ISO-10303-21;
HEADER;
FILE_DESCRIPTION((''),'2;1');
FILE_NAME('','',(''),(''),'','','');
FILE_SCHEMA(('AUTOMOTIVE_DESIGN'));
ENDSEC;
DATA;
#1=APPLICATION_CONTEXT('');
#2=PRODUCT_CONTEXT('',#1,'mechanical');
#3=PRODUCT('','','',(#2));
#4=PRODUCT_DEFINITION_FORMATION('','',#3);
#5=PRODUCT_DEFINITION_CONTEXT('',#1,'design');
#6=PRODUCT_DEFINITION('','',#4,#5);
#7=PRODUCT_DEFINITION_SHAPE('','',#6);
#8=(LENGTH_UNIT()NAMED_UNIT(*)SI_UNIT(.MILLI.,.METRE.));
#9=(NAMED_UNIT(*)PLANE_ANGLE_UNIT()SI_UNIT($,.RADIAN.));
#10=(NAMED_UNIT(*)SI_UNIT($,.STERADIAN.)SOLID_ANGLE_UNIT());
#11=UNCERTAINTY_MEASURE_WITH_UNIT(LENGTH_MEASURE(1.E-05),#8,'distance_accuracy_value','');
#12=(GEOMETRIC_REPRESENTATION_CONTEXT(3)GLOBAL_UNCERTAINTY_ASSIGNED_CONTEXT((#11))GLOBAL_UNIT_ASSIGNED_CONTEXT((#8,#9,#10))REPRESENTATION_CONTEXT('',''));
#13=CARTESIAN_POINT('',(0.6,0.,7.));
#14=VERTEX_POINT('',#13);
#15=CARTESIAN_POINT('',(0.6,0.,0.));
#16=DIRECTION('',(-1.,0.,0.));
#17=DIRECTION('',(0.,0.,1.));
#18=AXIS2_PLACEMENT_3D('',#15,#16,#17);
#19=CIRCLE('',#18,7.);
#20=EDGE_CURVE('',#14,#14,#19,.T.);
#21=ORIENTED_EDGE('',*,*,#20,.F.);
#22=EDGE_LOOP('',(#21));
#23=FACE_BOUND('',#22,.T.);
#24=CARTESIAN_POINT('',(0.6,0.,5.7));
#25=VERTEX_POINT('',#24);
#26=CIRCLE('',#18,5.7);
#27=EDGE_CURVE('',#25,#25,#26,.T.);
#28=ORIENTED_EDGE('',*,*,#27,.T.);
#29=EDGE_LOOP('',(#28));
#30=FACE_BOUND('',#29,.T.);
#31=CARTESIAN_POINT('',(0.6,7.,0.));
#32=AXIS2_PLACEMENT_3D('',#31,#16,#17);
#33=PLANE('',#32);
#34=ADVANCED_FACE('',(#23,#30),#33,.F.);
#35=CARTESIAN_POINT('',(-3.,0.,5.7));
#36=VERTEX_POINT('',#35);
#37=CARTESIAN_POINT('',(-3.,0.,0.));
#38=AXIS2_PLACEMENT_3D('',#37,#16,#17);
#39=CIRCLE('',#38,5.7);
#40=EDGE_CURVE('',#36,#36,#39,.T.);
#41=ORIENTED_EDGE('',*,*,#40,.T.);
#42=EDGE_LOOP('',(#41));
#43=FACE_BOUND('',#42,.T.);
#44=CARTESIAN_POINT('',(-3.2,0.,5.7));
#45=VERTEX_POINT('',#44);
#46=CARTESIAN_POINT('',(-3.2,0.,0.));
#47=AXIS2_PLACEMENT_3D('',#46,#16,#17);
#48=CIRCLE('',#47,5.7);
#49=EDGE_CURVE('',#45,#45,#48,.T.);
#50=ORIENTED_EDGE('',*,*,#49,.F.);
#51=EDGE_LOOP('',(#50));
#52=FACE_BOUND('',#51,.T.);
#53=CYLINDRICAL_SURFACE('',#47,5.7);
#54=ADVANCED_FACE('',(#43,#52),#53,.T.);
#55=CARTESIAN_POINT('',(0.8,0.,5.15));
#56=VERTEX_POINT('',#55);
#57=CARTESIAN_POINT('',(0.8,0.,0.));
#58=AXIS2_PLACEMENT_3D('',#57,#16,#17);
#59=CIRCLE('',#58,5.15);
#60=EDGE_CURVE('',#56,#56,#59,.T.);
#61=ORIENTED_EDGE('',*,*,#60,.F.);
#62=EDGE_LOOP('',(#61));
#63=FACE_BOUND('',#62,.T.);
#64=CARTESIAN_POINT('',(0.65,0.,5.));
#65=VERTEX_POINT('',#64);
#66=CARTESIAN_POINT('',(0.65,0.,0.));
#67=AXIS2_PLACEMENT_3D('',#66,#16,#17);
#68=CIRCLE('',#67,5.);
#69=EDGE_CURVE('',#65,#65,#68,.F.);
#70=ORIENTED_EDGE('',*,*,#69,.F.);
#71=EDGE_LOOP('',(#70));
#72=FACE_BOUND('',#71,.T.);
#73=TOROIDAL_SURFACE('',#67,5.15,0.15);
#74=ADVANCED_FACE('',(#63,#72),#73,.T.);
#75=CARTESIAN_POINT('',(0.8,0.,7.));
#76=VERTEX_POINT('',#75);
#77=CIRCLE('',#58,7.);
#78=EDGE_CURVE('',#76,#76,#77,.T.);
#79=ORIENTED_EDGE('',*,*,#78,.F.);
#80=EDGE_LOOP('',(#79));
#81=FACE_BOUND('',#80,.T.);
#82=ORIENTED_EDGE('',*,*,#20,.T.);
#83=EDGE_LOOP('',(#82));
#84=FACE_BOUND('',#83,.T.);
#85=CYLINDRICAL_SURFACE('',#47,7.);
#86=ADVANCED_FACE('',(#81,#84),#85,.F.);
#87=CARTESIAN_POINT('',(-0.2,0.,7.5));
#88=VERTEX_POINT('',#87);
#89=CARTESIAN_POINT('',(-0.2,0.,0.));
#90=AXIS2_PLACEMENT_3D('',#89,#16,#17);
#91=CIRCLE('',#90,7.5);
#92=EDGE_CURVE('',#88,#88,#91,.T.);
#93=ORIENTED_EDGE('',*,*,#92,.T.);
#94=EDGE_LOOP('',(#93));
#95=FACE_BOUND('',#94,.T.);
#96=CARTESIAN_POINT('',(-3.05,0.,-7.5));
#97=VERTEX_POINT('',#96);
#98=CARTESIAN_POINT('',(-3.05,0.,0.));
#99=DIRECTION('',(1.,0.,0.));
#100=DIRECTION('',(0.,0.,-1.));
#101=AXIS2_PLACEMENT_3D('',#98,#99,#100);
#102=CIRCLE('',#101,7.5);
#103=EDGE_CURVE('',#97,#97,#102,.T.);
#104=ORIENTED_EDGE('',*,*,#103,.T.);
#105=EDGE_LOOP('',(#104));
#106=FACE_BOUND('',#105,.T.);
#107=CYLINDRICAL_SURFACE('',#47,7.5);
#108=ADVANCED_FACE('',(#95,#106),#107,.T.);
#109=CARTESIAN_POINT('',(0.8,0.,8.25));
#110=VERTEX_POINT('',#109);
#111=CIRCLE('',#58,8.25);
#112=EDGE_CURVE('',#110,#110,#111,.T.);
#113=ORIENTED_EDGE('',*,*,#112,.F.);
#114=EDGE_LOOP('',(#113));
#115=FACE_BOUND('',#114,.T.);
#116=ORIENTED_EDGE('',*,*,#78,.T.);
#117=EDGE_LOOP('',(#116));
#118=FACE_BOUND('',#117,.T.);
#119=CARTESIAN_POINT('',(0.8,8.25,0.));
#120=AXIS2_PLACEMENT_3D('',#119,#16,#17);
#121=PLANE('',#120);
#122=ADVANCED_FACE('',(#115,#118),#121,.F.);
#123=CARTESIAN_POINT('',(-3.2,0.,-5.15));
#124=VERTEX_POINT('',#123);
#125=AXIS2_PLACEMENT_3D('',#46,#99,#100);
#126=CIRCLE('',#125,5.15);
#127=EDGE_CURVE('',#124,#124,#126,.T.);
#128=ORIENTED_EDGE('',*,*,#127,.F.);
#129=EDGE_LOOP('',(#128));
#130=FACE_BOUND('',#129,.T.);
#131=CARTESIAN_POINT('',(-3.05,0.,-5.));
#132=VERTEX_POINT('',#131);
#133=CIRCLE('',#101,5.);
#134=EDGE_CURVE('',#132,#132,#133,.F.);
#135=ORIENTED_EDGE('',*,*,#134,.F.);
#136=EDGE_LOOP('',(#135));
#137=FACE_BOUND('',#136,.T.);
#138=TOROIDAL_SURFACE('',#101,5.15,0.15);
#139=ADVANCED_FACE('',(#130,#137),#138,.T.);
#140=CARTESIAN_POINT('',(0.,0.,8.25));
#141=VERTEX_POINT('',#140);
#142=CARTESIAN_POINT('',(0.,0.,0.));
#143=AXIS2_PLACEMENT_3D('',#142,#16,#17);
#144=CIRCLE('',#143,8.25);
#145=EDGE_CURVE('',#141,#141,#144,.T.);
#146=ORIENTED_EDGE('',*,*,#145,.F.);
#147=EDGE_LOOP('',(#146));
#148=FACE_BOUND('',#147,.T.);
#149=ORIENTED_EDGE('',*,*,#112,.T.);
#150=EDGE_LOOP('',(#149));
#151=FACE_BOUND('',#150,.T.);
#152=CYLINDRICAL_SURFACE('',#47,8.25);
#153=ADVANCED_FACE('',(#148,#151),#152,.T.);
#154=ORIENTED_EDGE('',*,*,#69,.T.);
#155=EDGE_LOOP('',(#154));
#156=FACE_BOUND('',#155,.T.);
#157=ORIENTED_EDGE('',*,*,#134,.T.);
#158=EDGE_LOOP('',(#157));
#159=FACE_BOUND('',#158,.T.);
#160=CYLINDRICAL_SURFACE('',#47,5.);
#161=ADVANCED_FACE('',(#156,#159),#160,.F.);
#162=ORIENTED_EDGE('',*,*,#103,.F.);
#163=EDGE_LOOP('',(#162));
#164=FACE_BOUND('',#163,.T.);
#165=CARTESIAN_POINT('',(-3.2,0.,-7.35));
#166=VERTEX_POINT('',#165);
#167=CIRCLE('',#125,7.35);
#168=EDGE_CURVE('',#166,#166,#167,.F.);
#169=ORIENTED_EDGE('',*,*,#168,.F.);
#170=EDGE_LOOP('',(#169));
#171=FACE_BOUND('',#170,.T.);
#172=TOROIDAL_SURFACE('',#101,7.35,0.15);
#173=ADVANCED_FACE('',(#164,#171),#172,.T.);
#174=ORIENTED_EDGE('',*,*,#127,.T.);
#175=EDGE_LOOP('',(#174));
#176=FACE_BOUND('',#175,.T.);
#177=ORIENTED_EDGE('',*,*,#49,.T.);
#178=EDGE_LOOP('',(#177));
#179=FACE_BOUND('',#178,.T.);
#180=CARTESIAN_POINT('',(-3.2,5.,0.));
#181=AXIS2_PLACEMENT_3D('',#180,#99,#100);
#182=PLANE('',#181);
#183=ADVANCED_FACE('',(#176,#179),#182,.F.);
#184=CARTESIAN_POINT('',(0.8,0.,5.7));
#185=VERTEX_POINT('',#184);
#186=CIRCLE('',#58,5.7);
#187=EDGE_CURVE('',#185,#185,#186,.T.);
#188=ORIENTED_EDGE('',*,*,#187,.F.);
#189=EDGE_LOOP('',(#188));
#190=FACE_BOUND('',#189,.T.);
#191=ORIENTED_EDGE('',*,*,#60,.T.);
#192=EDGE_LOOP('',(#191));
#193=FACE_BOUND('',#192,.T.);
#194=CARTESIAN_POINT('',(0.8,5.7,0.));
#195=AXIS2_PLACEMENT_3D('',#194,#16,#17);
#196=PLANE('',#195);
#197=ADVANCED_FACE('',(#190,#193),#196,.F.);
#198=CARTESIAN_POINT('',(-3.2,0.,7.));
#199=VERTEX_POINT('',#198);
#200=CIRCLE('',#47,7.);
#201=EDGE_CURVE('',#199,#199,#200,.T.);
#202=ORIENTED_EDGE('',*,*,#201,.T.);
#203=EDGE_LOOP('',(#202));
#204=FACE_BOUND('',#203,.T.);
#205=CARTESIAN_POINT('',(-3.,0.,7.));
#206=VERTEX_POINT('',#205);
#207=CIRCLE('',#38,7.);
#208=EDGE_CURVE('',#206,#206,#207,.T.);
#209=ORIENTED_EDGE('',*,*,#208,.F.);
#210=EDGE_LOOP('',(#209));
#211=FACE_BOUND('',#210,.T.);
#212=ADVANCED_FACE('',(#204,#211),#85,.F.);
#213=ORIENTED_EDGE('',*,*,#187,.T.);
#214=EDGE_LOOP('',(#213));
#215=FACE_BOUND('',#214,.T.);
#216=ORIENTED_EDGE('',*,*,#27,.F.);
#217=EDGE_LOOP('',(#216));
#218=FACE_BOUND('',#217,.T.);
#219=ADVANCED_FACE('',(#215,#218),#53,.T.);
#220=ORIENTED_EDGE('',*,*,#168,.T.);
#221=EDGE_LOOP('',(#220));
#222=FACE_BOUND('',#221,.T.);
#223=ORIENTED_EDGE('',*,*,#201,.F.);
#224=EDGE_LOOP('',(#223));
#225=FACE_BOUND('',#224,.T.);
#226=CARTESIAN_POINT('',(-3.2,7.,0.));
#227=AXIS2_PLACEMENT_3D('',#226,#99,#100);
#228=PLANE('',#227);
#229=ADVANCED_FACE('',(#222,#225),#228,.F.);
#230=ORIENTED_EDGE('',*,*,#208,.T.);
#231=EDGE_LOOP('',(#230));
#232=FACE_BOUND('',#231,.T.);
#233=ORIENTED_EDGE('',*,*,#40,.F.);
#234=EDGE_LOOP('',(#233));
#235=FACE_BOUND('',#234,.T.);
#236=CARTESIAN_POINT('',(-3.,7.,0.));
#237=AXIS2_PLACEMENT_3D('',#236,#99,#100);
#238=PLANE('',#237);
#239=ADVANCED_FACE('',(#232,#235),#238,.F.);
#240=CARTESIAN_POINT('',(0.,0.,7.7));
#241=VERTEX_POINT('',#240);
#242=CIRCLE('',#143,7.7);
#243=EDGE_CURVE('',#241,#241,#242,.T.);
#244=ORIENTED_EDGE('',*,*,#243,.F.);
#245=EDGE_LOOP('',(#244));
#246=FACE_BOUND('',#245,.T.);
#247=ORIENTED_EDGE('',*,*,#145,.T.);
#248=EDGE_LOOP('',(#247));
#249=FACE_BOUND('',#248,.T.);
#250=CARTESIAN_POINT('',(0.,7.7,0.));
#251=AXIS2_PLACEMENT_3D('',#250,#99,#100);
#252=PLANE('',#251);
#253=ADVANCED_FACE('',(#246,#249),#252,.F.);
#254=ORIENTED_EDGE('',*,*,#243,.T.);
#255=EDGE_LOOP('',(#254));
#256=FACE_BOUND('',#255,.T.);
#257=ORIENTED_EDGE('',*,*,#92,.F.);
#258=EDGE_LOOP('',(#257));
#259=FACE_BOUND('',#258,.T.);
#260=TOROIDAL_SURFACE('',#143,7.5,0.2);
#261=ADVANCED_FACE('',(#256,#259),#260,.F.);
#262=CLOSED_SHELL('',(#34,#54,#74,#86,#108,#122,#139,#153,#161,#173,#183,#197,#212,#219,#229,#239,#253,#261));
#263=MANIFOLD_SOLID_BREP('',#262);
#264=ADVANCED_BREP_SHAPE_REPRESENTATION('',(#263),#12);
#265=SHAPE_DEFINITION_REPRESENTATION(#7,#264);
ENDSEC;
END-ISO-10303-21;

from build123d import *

# Parameters (mm, degrees)
FILLET1_R = 0.15


with BuildPart() as part:
    # Sketch1 → Revolve1 (revolve)
    with BuildSketch(Plane.XY, mode=Mode.PRIVATE) as revolve1_sk:
        with BuildLine():
            Line((0, 7.7), (0, 8.25))
            Line((0, 8.25), (0.8, 8.25))
            Line((0.8, 8.25), (0.8, 7))
            Line((0.8, 7), (0.6, 7))
            Line((0.6, 7), (0.6, 5.7))
            Line((0.6, 5.7), (0.8, 5.7))
            Line((0.8, 5.7), (0.8, 5))
            Line((0.8, 5), (-3.2, 5))
            Line((-3.2, 5), (-3.2, 5.7))
            Line((-3.2, 5.7), (-3, 5.7))
            Line((-3, 5.7), (-3, 7))
            Line((-3, 7), (-3.2, 7))
            Line((-3.2, 7), (-3.2, 7.5))
            Line((-3.2, 7.5), (-0.2, 7.5))
            ThreePointArc((-0.2, 7.5), (0.141421356, 7.358578644), (0, 7.7))
        make_face()
    revolve(revolve1_sk.sketch.rotate(Axis((-3.2, 0, 0), (1, 0, 0)), 90), axis=Axis((-3.2, 0, 0), (1, 0, 0)))

    # Fillet1
    fillet1_edges = [part.edges().sort_by_distance(p)[0] for p in [
        (0.8, 0, -5),
        (-3.2, 0, -5),
        (-3.2, 0, -7.5),
    ]]
    fillet(fillet1_edges, radius=FILLET1_R)


solid = part.part
